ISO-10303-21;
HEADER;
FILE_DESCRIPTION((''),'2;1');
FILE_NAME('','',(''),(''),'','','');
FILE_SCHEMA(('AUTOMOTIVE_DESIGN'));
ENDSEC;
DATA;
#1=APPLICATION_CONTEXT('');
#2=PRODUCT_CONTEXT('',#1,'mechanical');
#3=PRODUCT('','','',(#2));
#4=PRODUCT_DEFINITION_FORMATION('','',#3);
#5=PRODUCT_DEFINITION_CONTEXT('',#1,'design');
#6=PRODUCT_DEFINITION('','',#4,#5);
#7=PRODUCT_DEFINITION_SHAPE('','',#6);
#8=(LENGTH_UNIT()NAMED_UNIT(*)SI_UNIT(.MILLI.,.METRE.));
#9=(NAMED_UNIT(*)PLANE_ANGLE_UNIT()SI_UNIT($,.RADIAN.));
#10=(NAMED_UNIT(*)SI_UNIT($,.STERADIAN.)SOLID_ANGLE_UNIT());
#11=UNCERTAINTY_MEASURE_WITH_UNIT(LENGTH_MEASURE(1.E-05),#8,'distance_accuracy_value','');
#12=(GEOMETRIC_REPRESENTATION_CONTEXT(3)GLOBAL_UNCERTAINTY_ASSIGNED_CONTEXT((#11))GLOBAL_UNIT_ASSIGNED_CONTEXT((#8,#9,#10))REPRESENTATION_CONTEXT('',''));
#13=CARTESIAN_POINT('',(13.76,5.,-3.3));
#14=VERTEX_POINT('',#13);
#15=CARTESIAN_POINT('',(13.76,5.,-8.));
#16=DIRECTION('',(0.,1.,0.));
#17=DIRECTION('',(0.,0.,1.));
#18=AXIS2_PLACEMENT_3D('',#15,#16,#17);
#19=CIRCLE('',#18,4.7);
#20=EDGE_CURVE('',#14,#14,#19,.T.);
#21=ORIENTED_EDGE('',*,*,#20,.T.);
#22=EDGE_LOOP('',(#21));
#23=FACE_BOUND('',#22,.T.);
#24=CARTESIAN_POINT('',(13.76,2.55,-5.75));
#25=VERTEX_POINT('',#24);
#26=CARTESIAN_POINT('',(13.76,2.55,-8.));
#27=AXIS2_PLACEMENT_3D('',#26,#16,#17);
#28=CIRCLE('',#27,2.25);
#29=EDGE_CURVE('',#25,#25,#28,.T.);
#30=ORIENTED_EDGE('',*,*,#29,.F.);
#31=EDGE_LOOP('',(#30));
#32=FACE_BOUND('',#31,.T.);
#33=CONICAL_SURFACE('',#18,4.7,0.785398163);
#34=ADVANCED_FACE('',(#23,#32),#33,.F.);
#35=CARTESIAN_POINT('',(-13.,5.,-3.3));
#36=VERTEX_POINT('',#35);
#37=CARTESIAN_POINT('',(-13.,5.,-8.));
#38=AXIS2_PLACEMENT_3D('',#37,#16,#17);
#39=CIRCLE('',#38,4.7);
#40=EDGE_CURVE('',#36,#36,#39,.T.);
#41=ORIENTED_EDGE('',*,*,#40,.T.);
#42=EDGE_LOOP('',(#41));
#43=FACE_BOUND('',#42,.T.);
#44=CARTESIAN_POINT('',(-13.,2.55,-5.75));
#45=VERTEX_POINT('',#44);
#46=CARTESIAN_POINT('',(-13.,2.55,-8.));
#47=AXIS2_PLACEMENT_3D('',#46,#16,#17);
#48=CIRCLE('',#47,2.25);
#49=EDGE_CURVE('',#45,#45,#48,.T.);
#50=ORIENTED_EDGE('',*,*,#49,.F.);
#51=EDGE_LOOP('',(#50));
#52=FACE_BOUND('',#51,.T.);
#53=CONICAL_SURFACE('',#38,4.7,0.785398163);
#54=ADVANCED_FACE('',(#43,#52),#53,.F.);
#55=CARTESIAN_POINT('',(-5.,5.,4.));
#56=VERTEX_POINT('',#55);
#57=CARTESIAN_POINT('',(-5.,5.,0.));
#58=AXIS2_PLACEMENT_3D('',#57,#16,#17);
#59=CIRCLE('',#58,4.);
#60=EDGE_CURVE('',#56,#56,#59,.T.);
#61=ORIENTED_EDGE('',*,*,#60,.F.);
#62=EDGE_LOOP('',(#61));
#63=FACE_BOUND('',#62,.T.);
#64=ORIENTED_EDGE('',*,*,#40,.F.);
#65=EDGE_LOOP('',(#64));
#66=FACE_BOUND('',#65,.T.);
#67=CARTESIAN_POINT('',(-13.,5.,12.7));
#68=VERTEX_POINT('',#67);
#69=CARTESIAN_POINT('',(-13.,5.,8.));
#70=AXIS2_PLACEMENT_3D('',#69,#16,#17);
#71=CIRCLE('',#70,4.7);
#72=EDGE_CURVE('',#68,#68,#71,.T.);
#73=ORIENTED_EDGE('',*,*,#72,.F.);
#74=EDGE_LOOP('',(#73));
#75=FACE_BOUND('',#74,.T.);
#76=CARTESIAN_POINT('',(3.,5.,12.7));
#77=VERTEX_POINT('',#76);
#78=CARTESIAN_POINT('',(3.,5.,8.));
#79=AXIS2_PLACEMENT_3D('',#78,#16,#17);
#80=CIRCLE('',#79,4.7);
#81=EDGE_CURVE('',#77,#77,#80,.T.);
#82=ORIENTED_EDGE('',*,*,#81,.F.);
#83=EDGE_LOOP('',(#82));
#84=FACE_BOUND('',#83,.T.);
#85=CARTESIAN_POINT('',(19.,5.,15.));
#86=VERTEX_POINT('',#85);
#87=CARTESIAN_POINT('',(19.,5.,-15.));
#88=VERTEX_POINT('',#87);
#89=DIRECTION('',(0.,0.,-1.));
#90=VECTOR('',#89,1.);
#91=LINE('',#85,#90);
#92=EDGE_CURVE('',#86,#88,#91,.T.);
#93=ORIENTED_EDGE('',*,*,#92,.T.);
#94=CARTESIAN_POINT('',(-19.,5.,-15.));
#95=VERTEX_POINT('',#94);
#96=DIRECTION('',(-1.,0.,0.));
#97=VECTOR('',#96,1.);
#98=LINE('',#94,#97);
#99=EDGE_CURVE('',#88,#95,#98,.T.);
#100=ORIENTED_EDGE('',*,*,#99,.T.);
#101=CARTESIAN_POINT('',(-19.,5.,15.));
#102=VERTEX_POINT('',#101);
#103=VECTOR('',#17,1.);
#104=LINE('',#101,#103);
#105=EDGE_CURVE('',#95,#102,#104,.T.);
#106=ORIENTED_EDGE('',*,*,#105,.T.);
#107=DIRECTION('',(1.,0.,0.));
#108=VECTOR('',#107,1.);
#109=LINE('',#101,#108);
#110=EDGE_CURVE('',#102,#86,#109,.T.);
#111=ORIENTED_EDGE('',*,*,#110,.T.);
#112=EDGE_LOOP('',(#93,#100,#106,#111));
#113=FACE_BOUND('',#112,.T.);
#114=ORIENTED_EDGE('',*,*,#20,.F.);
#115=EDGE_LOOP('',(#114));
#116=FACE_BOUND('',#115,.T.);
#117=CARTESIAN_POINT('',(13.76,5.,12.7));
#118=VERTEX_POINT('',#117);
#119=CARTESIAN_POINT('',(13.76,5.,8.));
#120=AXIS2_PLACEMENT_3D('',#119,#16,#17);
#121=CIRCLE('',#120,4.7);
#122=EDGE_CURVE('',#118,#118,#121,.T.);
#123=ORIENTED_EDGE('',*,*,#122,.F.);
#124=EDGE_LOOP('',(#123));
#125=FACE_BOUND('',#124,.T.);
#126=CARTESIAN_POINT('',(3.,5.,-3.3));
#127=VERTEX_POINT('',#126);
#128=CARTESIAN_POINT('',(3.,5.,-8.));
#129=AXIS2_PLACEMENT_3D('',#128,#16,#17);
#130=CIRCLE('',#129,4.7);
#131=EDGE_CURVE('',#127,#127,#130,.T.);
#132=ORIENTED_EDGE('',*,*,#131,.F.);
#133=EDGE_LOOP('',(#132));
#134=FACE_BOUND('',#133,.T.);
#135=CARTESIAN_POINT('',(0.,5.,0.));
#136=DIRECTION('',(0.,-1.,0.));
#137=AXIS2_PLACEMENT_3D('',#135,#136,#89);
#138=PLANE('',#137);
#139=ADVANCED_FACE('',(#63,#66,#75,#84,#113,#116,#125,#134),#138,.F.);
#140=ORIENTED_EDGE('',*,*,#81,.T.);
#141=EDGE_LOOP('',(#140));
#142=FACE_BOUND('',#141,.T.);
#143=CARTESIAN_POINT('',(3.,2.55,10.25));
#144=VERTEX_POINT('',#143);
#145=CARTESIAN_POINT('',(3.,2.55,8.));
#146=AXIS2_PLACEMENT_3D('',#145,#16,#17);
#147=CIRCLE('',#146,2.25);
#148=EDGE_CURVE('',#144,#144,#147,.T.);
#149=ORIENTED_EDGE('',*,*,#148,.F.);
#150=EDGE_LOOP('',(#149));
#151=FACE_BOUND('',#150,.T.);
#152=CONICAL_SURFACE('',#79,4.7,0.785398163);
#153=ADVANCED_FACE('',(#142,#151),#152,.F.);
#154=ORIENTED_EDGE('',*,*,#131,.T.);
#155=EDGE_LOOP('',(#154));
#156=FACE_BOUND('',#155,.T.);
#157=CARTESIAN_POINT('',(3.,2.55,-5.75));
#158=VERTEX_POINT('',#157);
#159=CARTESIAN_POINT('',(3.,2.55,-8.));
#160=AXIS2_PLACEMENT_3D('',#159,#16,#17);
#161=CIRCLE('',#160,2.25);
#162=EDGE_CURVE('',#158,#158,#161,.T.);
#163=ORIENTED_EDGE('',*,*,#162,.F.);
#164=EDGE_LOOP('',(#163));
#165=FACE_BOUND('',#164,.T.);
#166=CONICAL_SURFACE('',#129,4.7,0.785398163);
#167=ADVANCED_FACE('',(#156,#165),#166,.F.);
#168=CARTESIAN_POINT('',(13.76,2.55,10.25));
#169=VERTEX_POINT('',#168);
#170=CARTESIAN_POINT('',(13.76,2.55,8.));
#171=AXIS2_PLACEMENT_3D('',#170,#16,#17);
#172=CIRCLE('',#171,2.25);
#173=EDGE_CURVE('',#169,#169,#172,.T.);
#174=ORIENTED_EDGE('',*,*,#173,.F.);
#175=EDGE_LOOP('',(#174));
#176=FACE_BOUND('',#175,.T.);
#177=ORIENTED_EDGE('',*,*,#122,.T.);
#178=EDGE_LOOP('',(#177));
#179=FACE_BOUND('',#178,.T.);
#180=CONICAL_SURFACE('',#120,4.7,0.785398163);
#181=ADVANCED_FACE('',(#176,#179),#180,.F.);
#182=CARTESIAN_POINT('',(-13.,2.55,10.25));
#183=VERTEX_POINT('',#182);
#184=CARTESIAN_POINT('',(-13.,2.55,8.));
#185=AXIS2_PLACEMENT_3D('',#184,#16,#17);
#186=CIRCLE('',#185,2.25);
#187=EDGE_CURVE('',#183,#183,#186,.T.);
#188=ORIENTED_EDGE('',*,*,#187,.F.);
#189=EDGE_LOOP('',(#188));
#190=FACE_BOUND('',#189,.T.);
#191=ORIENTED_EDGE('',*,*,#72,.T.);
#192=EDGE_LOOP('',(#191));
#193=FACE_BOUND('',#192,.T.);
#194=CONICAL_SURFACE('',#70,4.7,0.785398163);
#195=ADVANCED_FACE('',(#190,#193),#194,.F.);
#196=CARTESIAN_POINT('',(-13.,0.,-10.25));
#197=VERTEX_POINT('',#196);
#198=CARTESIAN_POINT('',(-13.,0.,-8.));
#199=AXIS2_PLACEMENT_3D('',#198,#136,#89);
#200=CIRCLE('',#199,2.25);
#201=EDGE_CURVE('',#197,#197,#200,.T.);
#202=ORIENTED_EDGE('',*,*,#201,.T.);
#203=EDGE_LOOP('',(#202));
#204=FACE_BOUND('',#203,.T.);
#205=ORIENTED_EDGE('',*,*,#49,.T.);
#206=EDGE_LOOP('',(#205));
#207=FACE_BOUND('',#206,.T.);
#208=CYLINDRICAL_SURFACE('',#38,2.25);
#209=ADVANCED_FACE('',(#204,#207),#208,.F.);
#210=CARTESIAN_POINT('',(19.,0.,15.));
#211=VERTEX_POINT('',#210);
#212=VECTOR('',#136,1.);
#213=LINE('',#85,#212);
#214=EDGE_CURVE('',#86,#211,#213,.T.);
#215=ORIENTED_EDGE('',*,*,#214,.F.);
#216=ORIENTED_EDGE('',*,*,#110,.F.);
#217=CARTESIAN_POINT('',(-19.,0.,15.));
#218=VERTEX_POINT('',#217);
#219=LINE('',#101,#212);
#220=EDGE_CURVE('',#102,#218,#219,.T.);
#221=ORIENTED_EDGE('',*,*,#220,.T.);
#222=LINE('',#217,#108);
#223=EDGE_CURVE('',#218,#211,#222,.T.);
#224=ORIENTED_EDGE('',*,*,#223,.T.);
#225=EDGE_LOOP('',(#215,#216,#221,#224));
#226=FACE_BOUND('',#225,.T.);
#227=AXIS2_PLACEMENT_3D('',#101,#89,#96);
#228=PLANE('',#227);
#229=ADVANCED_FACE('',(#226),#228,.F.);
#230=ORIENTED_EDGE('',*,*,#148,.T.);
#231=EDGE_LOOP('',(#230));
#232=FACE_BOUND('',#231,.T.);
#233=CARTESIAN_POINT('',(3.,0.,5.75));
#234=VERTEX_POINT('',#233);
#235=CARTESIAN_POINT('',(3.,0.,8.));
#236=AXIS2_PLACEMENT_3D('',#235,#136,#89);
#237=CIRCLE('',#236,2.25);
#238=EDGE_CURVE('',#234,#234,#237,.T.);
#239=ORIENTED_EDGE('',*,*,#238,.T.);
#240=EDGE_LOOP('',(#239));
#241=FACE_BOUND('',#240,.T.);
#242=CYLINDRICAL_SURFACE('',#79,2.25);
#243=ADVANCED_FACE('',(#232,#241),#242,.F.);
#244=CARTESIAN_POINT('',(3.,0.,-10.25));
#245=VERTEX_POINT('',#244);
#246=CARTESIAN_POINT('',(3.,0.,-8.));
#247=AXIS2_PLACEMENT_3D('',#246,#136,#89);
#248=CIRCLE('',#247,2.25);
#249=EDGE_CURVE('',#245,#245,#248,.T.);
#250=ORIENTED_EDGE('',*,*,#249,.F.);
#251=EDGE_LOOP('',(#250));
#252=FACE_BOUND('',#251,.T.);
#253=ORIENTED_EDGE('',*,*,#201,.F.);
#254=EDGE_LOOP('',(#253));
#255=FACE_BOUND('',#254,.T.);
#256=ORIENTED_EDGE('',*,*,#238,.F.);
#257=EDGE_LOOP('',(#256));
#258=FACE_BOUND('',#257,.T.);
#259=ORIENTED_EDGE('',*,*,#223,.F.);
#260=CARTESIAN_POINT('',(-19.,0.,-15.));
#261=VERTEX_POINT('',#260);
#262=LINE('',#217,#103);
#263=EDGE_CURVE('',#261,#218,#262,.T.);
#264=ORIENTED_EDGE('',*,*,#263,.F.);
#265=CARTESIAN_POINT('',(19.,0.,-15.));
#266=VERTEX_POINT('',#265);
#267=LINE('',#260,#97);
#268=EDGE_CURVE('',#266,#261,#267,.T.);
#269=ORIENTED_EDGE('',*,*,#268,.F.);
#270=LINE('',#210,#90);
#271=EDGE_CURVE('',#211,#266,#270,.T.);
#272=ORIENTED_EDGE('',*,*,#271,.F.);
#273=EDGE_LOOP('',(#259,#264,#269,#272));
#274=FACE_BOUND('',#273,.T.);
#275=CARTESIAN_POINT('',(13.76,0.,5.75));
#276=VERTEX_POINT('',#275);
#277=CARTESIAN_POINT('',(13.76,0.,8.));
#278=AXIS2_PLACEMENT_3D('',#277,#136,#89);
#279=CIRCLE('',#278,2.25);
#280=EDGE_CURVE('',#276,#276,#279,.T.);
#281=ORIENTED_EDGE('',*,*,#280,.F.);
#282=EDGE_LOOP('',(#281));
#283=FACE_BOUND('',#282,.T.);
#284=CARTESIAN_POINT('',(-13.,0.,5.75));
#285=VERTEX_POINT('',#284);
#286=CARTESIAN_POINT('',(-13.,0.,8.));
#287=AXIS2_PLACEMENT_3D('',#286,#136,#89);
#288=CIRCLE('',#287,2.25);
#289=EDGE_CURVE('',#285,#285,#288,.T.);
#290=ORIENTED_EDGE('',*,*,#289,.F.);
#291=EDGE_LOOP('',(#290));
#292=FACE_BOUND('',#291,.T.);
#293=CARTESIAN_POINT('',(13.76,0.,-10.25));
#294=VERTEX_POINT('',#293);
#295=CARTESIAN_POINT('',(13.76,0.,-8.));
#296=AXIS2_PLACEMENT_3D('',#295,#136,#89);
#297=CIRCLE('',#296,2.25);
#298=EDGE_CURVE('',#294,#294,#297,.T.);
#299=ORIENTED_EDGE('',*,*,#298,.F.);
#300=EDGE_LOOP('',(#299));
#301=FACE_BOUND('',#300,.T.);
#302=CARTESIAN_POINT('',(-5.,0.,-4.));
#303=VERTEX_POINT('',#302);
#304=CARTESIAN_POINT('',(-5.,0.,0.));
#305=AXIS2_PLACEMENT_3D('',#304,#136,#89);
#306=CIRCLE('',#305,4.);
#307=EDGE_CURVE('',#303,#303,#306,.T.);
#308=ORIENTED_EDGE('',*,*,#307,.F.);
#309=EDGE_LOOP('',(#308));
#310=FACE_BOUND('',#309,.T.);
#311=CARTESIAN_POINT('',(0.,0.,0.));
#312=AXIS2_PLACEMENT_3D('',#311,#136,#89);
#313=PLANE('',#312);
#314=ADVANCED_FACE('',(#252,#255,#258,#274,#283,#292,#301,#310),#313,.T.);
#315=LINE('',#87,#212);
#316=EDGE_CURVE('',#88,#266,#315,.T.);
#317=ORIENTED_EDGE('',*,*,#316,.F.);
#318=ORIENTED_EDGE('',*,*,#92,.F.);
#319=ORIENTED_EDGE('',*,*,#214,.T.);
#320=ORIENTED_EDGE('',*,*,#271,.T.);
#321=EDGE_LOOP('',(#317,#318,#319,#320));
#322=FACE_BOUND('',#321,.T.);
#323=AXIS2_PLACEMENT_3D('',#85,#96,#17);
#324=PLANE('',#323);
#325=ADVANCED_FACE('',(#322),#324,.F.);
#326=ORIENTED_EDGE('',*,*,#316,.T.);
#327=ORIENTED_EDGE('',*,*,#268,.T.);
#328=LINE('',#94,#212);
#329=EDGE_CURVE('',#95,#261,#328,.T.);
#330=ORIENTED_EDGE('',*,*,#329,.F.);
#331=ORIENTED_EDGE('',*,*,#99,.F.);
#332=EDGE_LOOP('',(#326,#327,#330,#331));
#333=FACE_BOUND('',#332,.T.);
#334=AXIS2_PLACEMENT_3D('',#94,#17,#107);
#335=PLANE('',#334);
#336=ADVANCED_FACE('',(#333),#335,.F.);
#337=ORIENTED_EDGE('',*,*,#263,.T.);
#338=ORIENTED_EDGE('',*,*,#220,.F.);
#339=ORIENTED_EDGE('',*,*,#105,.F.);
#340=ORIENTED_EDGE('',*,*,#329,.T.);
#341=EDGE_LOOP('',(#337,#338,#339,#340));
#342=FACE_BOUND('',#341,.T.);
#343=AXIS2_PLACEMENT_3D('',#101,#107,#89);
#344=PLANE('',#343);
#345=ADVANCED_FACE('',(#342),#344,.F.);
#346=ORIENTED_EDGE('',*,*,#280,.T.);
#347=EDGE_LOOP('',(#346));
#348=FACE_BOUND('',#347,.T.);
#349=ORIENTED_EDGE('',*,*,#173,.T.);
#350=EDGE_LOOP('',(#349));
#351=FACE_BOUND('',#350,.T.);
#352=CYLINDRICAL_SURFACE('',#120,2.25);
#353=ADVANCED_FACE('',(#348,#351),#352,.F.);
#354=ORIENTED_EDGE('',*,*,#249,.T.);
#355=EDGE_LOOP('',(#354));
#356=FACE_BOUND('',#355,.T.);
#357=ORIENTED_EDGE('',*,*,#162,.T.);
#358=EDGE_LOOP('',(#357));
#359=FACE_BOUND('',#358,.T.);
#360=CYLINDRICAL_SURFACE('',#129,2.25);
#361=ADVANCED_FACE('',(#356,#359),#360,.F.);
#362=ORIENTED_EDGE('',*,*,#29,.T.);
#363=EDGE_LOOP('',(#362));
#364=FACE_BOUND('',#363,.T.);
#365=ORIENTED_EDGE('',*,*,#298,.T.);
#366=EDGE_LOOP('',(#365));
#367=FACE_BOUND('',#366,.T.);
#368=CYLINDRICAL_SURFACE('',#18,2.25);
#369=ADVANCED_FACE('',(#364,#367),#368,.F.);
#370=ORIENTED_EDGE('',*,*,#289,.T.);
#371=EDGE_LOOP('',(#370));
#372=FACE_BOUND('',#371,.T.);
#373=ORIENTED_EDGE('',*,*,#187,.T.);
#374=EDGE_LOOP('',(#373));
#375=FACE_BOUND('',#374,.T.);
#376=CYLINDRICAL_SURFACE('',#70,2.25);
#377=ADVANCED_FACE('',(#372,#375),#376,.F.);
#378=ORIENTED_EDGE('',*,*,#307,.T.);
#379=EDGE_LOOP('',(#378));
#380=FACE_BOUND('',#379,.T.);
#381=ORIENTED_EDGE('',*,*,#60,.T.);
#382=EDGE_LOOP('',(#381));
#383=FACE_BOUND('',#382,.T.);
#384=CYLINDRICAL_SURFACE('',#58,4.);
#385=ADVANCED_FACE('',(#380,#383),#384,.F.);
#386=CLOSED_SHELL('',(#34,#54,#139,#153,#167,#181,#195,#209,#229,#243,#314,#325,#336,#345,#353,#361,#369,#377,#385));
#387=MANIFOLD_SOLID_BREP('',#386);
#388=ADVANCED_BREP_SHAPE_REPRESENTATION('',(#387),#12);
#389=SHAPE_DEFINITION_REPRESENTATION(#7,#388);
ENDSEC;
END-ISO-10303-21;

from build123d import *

# Parameters (mm, degrees)
SKIZZE1_W                                            = 38
SKIZZE1_H                                            = 30
AUFSATZ_LINEAR_AUSTRAGEN1_DEPTH                      = 5
FORMSENKUNG_F_R_M4_SENKSCHRAUBE_MIT_SCHL_D           = 4.5
FORMSENKUNG_F_R_M4_SENKSCHRAUBE_MIT_SCHL_CSINK_D     = 9.4
FORMSENKUNG_F_R_M4_SENKSCHRAUBE_MIT_SCHL_CSINK_ANGLE = 90
F_8_0_8_DURCHMESSER_BOHRUNG1_D                       = 8


with BuildPart() as part:
    # Skizze1 → Aufsatz-Linear austragen1 (new body)
    with BuildSketch(Plane(origin=(0, 0, 0), x_dir=(1, 0, 0), z_dir=(0, 1, 0))):
        Rectangle(SKIZZE1_W, SKIZZE1_H)
    extrude(amount=AUFSATZ_LINEAR_AUSTRAGEN1_DEPTH)

    # Formsenkung für M4 Senkschraube mit Schlitz/Kreuzschlitz1 (through all)
    with Locations(Plane(origin=(0, 5, 0), x_dir=(1, 0, 0), z_dir=(0, 1, 0))):
        with Locations((-13, 8), (3, 8), (3, -8), (-13, -8), (13.76, 8), (13.76, -8)):
            CounterSinkHole(FORMSENKUNG_F_R_M4_SENKSCHRAUBE_MIT_SCHL_D / 2, FORMSENKUNG_F_R_M4_SENKSCHRAUBE_MIT_SCHL_CSINK_D / 2, counter_sink_angle=FORMSENKUNG_F_R_M4_SENKSCHRAUBE_MIT_SCHL_CSINK_ANGLE)

    # Ø8.0 (8) Durchmesser Bohrung1 (through all)
    with Locations(Plane(origin=(0, 5, 0), x_dir=(1, 0, 0), z_dir=(0, 1, 0))):
        with Locations((-5, 0)):
            Hole(F_8_0_8_DURCHMESSER_BOHRUNG1_D / 2)


solid = part.part
